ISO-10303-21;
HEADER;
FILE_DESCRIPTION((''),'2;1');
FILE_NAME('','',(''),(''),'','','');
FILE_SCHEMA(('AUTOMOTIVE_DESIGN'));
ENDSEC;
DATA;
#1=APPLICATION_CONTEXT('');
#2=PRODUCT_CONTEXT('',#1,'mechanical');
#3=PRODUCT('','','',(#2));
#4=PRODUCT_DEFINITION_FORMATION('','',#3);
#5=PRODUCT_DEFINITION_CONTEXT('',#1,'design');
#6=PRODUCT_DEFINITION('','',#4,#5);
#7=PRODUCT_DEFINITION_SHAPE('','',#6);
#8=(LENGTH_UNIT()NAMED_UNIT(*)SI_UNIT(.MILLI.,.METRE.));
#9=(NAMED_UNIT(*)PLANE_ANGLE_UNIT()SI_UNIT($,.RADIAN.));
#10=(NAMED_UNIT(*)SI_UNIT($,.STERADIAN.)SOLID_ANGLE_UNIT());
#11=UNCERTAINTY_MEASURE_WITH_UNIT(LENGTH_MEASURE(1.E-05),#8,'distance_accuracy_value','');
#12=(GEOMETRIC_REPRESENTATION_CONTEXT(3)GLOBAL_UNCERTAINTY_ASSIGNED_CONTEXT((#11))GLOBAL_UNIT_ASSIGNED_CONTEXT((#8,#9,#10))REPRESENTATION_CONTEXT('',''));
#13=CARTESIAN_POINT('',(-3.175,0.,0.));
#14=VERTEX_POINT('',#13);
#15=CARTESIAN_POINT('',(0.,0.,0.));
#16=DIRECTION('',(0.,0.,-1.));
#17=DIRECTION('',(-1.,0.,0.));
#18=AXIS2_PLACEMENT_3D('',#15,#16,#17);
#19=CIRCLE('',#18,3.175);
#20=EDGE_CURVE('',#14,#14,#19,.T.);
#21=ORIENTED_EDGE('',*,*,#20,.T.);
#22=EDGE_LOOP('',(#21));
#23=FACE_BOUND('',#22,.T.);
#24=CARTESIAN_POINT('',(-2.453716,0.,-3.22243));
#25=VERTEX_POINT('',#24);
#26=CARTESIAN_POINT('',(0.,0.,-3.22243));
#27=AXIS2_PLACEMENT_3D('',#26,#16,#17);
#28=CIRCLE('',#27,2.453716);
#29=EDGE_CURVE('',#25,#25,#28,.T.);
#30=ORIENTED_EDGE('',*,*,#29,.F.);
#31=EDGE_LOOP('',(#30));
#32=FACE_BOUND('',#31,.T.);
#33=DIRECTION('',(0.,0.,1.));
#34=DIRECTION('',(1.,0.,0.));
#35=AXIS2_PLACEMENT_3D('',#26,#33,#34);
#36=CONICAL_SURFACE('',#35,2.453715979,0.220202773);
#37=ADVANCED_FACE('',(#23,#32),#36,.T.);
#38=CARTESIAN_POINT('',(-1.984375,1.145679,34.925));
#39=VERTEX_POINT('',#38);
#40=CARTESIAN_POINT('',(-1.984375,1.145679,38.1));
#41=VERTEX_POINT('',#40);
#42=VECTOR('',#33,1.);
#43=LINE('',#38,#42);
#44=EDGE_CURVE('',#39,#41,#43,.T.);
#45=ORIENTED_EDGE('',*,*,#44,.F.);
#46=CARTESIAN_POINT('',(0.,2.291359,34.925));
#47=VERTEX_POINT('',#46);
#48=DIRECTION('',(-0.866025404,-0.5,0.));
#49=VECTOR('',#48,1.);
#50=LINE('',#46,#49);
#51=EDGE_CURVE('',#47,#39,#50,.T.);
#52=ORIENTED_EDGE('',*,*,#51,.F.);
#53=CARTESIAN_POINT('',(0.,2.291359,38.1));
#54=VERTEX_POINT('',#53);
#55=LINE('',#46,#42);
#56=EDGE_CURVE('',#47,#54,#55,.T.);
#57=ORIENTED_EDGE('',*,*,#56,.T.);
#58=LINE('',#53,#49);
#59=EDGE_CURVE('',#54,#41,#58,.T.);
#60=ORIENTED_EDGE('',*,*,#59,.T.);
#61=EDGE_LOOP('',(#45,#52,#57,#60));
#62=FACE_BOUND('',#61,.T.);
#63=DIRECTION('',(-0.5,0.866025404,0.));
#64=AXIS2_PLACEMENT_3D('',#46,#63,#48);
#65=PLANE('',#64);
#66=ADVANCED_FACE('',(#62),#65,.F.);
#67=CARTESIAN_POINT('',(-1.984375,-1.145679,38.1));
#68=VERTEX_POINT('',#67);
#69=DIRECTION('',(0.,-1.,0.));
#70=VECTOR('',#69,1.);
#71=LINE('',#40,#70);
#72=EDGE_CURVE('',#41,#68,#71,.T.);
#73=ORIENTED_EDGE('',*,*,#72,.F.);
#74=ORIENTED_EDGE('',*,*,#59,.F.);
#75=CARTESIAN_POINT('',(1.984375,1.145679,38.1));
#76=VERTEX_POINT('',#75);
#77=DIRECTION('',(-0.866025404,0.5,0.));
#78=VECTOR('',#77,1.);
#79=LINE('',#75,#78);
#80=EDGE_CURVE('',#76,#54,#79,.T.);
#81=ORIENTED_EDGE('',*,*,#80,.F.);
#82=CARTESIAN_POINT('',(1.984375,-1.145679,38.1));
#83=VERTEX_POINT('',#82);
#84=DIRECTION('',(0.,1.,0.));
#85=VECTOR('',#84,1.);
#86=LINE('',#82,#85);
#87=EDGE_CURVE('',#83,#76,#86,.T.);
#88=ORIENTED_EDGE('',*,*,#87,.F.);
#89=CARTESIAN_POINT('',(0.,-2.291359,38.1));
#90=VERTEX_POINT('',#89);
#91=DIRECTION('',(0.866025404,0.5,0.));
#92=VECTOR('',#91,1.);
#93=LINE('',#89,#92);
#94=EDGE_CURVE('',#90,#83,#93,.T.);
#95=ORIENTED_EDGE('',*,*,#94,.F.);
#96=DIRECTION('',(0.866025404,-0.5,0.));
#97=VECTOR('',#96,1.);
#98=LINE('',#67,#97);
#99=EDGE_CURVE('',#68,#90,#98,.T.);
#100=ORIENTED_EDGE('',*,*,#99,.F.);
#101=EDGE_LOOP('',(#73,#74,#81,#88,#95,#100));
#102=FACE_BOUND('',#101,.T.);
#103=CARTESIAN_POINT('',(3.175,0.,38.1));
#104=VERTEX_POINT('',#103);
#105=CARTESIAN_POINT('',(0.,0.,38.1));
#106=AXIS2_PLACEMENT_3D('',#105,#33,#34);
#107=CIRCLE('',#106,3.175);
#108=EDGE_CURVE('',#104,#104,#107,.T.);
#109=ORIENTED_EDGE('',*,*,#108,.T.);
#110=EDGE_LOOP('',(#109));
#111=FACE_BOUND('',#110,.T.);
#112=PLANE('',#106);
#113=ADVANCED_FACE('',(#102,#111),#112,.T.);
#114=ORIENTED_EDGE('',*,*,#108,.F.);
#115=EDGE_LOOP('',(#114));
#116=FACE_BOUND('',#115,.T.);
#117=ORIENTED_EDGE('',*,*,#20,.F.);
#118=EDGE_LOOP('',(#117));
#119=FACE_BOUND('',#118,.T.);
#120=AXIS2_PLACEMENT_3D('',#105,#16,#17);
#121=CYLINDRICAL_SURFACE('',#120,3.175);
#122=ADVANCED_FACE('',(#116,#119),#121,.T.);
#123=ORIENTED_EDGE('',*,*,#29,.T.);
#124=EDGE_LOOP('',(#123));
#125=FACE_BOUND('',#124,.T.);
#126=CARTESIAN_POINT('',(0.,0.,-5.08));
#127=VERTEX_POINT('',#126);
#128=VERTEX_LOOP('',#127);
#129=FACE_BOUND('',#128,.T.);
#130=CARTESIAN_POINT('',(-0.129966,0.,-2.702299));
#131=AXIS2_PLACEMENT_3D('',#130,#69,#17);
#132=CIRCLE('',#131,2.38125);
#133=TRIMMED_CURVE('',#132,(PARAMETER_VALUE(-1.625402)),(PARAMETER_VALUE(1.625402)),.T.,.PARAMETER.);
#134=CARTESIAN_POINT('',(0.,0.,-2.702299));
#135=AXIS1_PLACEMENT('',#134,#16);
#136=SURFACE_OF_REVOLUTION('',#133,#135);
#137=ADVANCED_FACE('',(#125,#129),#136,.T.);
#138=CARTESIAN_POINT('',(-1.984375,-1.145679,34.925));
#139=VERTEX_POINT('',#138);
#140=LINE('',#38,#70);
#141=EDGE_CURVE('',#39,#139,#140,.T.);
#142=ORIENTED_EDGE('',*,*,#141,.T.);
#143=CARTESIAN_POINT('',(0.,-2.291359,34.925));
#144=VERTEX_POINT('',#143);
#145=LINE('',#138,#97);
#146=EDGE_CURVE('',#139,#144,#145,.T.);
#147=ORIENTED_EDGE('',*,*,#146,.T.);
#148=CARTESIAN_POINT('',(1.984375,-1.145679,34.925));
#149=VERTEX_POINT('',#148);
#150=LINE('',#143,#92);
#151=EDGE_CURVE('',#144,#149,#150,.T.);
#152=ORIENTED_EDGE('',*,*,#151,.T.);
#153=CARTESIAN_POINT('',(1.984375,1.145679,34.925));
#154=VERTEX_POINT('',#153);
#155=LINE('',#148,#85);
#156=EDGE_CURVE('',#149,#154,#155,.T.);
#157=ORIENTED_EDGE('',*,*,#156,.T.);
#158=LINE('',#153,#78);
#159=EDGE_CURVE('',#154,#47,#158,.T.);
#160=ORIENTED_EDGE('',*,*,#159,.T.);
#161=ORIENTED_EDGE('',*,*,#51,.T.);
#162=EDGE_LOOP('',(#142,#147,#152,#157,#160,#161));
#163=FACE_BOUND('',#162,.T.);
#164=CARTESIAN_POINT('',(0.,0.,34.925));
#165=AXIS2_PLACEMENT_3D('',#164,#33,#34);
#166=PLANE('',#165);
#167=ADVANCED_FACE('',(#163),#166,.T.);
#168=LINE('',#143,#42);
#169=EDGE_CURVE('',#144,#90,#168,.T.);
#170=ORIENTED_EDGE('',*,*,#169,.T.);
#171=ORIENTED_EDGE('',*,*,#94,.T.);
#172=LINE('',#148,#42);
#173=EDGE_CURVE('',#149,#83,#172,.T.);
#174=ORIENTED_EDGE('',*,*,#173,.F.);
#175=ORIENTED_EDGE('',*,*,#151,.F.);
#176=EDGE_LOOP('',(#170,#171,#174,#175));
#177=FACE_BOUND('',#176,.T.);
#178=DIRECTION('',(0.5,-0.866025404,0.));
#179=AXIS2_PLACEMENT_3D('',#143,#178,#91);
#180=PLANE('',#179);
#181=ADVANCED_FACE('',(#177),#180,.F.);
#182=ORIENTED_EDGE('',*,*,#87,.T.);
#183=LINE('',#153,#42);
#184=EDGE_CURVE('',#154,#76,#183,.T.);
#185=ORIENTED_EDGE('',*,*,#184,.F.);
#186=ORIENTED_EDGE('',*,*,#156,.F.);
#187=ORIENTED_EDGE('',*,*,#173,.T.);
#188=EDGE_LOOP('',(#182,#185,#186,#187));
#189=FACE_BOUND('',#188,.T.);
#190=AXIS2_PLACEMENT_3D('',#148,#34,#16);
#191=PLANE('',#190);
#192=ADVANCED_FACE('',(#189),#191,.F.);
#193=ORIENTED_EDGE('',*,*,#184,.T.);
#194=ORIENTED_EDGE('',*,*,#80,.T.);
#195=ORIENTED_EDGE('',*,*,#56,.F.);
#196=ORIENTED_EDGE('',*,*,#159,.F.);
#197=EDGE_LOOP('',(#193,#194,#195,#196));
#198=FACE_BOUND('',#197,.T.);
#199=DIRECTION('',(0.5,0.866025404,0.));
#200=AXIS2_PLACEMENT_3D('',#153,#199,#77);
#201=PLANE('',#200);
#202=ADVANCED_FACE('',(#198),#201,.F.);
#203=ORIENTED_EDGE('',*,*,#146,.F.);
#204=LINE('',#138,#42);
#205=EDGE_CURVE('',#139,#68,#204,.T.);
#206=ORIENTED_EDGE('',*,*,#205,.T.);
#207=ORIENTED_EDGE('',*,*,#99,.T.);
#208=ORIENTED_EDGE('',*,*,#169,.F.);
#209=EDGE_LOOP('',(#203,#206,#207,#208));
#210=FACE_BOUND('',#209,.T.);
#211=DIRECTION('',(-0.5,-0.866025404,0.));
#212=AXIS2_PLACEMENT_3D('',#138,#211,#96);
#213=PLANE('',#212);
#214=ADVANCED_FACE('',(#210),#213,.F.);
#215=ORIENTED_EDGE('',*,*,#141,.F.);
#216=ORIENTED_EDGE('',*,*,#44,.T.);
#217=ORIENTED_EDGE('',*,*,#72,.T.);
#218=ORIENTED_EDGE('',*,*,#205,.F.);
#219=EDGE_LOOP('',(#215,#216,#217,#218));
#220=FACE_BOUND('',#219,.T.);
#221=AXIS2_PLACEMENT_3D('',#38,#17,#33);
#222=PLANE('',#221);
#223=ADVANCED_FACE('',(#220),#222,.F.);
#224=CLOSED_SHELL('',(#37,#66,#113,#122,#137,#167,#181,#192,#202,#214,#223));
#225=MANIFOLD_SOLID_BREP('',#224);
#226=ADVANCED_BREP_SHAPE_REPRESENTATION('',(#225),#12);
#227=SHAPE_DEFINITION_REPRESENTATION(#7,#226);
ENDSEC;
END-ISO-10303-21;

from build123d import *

# Parameters (mm, degrees)
SKETCH1_R           = 3.175
BOSS_EXTRUDE1_DEPTH = 38.1
CUT_EXTRUDE1_DEPTH  = 3.175


with BuildPart() as part:
    # Sketch1 → Boss-Extrude1 (new body)
    with BuildSketch(Plane.XY):
        Circle(SKETCH1_R)
    extrude(amount=BOSS_EXTRUDE1_DEPTH)

    # Sketch2 → Cut-Extrude1 (cut)
    with BuildSketch(Plane.XY.offset(38.1)):
        Polygon((0, 2.291358881), (-1.984375, 1.14567944), (-1.984375, -1.14567944), (0, -2.291358881), (1.984375, -1.14567944), (1.984375, 1.14567944), align=None)
    extrude(amount=-CUT_EXTRUDE1_DEPTH, mode=Mode.SUBTRACT)

    # Sketch3 → Revolve1 (revolve)
    with BuildSketch(Plane(origin=(0, 0, 0), x_dir=(1, 0, 0), z_dir=(0, 1, 0))):
        with BuildLine():
            Line((-3.175, 0), (-2.453715979, 3.222429819))
            ThreePointArc((-2.453715979, 3.222429819), (-1.567259814, 4.600861122), (0, 5.08))
            Line((0, 5.08), (0, 0))
            Line((0, 0), (-3.175, 0))
        make_face()
    revolve(axis=Axis((0, 0, -5.08), (0, 0, 1)))


solid = part.part
